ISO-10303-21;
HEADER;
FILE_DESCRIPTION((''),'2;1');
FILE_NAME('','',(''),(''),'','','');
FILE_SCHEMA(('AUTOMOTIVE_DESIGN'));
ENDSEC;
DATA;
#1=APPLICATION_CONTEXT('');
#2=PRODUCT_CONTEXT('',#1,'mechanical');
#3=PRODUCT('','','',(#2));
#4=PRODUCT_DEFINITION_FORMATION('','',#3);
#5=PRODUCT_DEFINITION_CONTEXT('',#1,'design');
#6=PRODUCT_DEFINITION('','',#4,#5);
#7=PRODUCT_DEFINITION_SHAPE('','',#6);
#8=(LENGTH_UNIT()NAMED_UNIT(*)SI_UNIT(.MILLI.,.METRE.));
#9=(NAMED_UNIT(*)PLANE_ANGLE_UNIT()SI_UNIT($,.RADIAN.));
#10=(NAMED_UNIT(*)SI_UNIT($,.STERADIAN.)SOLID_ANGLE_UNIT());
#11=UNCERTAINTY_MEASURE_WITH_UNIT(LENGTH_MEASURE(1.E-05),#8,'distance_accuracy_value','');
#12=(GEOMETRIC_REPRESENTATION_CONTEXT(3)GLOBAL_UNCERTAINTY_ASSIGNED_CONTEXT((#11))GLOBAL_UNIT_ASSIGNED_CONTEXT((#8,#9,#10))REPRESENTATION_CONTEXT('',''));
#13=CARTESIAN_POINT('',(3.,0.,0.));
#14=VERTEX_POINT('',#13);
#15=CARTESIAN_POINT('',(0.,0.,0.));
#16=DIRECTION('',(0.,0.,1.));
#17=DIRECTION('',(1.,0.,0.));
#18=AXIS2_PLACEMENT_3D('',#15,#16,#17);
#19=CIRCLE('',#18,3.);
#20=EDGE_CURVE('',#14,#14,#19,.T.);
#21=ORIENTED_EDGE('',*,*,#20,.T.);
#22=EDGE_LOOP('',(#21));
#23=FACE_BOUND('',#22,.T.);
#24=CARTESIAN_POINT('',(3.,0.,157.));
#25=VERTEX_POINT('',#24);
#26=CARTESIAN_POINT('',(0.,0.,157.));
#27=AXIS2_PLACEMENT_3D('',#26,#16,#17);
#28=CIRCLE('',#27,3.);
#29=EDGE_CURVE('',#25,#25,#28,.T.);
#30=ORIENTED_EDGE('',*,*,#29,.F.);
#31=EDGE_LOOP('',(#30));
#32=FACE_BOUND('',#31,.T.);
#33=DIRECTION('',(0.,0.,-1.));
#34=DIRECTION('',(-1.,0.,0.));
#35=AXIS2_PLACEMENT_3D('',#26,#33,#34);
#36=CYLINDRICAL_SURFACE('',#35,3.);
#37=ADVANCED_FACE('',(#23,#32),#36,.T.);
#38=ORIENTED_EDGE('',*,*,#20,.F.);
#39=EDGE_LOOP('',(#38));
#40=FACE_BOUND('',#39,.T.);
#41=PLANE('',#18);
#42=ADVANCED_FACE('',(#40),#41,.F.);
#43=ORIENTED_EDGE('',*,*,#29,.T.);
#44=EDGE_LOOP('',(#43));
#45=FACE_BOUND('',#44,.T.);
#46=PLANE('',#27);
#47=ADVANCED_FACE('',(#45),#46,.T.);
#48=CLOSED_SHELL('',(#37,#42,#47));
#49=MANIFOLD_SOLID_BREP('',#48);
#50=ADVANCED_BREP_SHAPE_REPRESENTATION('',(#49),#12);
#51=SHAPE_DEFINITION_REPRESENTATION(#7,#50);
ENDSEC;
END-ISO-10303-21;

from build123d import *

# Parameters (mm, degrees)
SKETCH_1_R      = 3
EXTRUDE_1_DEPTH = 157


with BuildPart() as part:
    # 草图1 → 凸台-拉伸1 (new body)
    with BuildSketch(Plane.XY):
        Circle(SKETCH_1_R)
    extrude(amount=EXTRUDE_1_DEPTH)


solid = part.part
